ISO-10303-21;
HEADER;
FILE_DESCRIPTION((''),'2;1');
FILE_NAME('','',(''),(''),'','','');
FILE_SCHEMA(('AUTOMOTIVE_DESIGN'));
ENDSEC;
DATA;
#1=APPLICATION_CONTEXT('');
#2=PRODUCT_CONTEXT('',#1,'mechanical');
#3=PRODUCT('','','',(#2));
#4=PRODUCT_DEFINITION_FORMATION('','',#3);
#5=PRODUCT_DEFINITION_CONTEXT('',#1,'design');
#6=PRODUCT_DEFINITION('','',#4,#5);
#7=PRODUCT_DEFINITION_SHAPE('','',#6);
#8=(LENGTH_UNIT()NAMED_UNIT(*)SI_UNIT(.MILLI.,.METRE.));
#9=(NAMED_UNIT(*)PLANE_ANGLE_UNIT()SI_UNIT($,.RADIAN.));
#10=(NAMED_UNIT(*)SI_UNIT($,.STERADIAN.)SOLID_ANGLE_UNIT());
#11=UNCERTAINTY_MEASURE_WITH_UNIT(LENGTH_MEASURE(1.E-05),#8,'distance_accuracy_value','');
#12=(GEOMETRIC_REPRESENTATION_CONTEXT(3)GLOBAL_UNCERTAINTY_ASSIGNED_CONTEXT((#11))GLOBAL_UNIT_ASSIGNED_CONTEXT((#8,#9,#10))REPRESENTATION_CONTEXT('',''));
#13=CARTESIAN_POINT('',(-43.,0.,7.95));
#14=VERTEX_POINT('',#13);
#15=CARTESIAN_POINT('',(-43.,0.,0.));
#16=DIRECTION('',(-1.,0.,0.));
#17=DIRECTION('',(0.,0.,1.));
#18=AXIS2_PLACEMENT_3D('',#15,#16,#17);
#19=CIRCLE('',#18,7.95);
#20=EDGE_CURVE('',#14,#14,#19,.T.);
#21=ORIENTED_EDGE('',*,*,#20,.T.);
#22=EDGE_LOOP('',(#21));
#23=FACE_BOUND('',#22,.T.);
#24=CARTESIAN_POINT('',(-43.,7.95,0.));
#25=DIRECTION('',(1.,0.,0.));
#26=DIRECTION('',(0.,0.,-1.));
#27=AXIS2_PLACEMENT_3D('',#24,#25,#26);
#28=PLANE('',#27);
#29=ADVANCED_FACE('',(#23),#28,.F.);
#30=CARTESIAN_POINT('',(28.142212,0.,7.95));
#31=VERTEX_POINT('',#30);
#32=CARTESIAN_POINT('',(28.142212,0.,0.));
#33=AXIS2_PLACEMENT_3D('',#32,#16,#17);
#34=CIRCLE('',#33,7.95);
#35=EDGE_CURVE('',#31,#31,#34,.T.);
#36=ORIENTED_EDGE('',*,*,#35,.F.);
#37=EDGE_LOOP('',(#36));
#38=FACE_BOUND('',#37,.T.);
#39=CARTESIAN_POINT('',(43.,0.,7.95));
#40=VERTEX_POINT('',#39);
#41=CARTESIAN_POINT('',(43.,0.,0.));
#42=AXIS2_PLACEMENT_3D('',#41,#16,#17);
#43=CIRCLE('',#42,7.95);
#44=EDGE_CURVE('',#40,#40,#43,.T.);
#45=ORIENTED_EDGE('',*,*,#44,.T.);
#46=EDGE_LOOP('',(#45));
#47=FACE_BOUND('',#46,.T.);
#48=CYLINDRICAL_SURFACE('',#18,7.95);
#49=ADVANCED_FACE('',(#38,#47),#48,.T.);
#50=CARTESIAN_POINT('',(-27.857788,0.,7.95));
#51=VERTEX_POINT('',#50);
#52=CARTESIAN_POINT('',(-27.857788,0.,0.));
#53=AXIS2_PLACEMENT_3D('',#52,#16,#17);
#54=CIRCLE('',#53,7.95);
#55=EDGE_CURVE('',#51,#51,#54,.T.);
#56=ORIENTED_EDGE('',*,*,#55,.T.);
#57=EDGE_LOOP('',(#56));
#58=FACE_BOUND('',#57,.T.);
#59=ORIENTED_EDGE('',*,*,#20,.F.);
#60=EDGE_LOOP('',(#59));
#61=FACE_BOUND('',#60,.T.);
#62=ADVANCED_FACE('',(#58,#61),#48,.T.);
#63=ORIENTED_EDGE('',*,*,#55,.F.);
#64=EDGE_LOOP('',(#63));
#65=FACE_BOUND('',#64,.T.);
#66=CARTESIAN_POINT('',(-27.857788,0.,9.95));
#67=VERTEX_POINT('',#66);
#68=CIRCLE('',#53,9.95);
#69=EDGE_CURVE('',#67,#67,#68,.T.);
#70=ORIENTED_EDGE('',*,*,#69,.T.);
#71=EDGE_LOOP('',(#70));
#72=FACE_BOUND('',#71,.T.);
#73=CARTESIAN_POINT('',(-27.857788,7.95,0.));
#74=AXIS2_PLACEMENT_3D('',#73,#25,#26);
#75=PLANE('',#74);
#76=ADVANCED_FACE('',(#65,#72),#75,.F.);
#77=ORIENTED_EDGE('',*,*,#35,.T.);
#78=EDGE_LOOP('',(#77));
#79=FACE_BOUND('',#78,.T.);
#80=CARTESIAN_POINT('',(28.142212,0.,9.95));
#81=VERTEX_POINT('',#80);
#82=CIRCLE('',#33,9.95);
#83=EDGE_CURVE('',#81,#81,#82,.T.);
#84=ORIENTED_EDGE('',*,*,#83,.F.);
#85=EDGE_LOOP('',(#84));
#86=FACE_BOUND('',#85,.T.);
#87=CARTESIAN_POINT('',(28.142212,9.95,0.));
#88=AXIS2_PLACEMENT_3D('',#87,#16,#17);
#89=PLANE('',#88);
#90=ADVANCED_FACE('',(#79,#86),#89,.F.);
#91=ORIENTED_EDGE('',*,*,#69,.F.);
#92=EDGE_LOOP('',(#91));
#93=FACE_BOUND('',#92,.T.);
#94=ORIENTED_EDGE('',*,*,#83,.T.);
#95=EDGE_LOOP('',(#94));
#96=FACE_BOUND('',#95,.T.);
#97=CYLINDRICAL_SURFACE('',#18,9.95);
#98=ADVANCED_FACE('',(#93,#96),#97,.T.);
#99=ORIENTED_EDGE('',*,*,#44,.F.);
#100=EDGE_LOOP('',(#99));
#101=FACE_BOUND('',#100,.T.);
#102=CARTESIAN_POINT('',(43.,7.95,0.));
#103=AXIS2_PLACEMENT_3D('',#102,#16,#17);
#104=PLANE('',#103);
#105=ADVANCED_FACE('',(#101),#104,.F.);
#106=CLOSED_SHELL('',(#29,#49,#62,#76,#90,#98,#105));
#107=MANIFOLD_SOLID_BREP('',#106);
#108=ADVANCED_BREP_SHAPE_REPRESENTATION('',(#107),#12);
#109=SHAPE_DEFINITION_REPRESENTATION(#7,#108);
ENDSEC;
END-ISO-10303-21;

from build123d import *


with BuildPart() as part:
    # Croquis1 → Revolución1 (revolve)
    with BuildSketch(Plane.XY, mode=Mode.PRIVATE) as revoluci_n1_sk:
        Polygon((-43, 7.95), (-27.85778781, 7.95), (-27.85778781, 9.95), (28.14221219, 9.95), (28.14221219, 7.95), (43, 7.95), (43, 0), (-43, 0), align=None)
    revolve(revoluci_n1_sk.sketch.rotate(Axis((-43, 0, 0), (1, 0, 0)), 90), axis=Axis((-43, 0, 0), (1, 0, 0)))


solid = part.part
